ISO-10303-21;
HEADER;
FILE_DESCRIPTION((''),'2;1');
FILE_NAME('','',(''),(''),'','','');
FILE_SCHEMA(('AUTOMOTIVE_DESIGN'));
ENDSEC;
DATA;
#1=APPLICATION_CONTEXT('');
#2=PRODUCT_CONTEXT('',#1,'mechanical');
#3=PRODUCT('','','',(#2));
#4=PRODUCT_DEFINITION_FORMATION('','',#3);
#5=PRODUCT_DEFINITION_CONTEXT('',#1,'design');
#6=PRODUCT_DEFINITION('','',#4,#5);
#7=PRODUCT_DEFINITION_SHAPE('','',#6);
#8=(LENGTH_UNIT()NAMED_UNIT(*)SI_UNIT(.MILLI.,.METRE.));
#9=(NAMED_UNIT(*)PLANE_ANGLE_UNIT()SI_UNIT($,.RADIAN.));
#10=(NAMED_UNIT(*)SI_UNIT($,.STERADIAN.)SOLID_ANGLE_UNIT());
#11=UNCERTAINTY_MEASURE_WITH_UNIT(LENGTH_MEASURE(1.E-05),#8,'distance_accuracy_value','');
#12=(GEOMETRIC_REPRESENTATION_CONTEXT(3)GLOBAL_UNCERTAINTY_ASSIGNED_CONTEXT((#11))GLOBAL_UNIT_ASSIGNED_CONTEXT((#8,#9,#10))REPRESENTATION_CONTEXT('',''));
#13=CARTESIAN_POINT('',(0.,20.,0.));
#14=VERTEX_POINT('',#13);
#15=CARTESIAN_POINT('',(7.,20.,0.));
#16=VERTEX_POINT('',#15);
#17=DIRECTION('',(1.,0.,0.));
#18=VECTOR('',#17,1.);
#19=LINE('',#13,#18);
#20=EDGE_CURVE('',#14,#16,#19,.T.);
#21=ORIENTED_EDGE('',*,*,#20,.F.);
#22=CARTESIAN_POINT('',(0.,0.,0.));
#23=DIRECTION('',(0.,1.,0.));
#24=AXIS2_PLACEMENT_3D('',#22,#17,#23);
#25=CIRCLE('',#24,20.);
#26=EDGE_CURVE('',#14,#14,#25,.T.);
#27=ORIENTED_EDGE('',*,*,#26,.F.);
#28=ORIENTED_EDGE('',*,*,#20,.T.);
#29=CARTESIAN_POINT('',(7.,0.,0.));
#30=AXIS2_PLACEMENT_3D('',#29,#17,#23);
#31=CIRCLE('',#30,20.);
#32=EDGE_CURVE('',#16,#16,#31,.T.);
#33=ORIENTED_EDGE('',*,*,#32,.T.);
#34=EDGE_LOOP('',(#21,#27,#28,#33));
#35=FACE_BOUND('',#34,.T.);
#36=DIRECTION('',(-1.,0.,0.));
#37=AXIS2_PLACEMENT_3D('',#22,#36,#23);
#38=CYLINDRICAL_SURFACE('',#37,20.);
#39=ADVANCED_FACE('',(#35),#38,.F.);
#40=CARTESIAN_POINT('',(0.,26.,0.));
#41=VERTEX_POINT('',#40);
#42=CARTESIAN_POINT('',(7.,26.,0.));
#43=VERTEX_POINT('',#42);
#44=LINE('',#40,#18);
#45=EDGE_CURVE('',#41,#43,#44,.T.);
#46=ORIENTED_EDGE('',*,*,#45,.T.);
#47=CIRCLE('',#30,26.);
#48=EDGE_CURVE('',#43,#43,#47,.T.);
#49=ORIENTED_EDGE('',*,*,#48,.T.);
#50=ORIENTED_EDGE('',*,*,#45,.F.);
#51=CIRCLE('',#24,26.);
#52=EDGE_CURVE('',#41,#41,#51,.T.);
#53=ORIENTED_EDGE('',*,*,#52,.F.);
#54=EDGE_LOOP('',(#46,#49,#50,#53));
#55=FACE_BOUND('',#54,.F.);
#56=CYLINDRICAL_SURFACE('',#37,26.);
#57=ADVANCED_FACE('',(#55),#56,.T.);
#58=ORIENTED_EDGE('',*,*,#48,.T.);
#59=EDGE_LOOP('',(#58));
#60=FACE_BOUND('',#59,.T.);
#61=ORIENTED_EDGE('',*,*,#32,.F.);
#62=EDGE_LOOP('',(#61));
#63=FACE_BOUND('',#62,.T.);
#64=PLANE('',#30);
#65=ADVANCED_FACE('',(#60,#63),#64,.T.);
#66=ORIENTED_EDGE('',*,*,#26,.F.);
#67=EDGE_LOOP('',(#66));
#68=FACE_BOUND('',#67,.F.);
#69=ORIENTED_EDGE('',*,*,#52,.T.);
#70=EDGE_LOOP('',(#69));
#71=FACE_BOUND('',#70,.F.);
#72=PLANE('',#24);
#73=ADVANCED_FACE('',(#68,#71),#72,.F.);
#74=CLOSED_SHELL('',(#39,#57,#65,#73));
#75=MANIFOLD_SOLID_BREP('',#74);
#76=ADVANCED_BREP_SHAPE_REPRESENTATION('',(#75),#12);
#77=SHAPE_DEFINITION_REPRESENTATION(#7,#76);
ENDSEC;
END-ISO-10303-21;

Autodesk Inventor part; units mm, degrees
ref_plane "YZ Plane" through (0, 0, 0) normal (1, 0, 0) x (0, 1, 0)
ref_plane "XZ Plane" through (0, 0, 0) normal (0, 1, 0) x (-1, 0, 0)
ref_plane "XY Plane" through (0, 0, 0) normal (0, 0, 1) x (1, 0, 0)
sketch "Sketch1" plane through (0, 0, 0) normal (1, 0, 0) x (0, 1, 0)
  circle A0 centre (0, 0) radius 20
  circle A1 centre (0, 0) radius 26
  dimension "d0" = 40
  dimension "d1" = 52
extrude "Extrusion1" add sketch "Sketch1" along normal blind 7
properties part number "roulement 40 52 7"
